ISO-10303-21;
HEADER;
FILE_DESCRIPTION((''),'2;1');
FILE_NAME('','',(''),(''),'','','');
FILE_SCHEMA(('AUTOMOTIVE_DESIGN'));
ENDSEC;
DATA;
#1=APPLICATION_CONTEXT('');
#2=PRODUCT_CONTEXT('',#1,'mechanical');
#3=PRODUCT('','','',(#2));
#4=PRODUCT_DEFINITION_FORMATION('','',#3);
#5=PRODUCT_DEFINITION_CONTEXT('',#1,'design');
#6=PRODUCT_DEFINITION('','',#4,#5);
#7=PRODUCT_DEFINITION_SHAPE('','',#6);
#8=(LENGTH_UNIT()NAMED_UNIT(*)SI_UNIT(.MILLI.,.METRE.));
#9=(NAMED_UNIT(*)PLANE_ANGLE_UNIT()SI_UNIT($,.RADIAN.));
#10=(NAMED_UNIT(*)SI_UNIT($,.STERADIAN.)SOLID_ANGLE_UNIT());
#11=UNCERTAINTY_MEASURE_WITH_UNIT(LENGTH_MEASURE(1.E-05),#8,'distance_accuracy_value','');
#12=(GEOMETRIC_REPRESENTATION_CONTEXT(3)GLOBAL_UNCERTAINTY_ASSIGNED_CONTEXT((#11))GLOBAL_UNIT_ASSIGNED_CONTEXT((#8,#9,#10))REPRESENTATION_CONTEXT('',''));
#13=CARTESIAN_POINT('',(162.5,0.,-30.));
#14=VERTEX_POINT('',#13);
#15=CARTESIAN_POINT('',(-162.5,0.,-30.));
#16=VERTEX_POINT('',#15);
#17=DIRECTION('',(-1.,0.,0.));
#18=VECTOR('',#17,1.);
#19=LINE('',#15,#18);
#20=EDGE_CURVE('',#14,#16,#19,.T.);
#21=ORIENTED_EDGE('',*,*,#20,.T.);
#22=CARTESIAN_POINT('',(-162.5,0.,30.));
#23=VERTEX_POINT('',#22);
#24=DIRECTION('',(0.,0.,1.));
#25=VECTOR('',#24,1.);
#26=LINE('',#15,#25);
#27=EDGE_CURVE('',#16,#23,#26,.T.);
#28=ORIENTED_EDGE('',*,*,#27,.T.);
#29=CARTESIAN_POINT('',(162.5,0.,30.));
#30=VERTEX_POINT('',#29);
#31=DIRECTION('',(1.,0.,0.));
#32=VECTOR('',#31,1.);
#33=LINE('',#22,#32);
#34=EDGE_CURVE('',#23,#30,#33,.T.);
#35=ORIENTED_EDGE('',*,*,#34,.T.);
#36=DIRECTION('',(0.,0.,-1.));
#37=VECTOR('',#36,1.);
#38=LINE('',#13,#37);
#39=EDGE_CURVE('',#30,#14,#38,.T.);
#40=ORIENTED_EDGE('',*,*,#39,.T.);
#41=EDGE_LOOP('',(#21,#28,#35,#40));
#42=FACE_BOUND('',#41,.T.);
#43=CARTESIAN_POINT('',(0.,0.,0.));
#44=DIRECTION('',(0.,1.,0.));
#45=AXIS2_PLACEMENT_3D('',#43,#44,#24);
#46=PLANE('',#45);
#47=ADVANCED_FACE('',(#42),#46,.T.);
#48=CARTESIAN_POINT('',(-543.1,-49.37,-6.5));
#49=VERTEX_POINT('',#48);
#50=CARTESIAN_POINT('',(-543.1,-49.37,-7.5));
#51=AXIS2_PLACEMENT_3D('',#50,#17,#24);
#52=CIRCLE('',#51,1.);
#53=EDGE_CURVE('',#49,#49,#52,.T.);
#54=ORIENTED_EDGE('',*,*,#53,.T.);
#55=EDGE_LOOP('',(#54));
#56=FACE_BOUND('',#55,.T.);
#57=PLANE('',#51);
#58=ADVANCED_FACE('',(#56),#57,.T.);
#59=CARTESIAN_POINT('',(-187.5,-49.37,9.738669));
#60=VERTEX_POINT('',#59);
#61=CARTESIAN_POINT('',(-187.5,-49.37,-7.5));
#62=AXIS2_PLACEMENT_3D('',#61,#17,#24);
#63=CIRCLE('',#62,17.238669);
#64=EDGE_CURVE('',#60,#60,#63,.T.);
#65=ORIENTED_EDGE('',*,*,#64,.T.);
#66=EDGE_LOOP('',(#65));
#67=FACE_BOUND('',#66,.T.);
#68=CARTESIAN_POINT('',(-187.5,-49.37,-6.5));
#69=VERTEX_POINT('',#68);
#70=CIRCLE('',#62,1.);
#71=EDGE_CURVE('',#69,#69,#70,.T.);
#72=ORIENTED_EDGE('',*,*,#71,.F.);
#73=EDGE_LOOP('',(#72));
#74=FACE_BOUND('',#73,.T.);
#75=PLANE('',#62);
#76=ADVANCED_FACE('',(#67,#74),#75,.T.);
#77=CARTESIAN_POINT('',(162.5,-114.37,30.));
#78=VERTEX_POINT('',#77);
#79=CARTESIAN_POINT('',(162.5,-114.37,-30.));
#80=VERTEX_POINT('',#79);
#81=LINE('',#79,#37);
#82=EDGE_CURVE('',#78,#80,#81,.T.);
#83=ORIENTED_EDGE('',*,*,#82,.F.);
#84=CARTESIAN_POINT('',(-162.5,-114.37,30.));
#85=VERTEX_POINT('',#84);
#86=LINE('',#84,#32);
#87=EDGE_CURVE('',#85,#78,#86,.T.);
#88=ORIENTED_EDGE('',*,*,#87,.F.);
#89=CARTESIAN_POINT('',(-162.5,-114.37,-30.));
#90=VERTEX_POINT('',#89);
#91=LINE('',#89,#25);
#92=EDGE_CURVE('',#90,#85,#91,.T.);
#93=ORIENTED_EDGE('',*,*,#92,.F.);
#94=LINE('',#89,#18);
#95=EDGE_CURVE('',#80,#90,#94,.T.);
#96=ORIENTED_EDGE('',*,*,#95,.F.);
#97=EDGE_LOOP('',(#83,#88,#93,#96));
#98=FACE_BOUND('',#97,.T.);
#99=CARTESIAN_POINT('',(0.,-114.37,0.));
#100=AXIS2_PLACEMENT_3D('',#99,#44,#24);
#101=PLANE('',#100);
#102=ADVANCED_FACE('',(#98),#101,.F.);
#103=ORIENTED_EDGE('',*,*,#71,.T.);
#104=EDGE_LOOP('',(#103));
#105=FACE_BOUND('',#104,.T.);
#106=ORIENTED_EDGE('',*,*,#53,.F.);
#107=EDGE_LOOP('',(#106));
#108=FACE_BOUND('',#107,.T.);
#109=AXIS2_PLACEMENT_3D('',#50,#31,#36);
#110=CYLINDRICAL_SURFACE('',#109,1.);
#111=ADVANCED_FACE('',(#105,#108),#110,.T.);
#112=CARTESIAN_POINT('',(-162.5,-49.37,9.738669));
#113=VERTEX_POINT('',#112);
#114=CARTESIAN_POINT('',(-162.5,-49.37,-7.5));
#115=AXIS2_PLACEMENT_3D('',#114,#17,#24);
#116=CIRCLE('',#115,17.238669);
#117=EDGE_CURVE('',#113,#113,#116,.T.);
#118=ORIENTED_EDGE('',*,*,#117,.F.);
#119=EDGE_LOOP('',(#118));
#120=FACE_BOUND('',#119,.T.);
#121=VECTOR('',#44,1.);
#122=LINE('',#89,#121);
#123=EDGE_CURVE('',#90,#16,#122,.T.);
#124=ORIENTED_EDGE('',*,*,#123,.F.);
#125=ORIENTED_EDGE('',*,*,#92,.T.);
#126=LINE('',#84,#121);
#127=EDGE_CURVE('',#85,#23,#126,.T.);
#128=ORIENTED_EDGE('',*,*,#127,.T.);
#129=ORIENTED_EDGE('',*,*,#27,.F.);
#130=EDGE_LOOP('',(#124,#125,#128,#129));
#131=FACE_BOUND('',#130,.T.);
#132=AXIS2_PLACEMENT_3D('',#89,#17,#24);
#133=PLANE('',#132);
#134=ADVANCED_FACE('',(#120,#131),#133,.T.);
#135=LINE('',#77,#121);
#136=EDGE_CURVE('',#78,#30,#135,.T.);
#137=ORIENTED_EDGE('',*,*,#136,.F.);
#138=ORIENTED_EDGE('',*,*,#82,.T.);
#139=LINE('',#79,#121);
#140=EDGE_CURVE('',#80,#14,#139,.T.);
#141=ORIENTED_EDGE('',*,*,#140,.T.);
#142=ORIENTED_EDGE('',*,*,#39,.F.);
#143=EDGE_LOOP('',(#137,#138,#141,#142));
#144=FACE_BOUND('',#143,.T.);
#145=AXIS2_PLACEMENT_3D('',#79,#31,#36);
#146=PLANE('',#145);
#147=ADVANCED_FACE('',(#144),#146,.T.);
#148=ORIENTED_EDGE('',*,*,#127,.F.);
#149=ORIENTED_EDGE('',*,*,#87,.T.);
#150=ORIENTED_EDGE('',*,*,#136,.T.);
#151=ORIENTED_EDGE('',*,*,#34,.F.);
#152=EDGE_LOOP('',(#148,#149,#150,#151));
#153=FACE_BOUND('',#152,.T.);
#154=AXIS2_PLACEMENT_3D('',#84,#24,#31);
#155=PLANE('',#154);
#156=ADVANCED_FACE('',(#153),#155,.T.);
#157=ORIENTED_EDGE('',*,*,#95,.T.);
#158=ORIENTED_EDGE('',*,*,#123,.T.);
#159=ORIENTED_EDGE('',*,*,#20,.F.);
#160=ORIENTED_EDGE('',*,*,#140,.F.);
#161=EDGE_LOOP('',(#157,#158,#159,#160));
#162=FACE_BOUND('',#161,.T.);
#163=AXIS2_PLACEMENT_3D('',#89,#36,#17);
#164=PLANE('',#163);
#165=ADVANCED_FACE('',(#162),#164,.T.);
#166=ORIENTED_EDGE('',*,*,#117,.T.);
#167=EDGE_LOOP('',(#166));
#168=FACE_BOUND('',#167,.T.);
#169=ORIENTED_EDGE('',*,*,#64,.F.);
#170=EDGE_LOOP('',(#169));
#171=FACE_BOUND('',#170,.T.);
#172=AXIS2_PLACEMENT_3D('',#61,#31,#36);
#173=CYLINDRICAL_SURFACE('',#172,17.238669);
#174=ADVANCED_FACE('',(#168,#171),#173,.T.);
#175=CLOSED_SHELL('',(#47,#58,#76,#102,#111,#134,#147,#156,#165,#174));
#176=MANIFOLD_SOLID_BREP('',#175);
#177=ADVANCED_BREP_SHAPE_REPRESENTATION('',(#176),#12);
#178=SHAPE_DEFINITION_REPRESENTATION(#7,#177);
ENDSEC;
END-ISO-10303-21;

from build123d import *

# Parameters (mm, degrees)
SKETCH1_W           = 325
SKETCH1_H           = 60
BOSS_EXTRUDE1_DEPTH = 114.37
SKETCH2_R           = 17.238668945
BOSS_EXTRUDE2_DEPTH = 25
SKETCH3_R           = 1
BOSS_EXTRUDE3_DEPTH = 355.6


with BuildPart() as part:
    # Sketch1 → Boss-Extrude1 (new body)
    with BuildSketch(Plane(origin=(0, 0, 0), x_dir=(1, 0, 0), z_dir=(0, 1, 0))):
        Rectangle(SKETCH1_W, SKETCH1_H)
    extrude(amount=-BOSS_EXTRUDE1_DEPTH)

    # Sketch2 → Boss-Extrude2 (add)
    with BuildSketch(Plane.ZY.offset(162.5)):
        with Locations((-7.5, -49.37)):
            Circle(SKETCH2_R)
    extrude(amount=BOSS_EXTRUDE2_DEPTH)

    # Sketch3 → Boss-Extrude3 (add)
    with BuildSketch(Plane.ZY.offset(187.5)):
        with Locations((-7.5, -49.37)):
            Circle(SKETCH3_R)
    extrude(amount=BOSS_EXTRUDE3_DEPTH)


solid = part.part
